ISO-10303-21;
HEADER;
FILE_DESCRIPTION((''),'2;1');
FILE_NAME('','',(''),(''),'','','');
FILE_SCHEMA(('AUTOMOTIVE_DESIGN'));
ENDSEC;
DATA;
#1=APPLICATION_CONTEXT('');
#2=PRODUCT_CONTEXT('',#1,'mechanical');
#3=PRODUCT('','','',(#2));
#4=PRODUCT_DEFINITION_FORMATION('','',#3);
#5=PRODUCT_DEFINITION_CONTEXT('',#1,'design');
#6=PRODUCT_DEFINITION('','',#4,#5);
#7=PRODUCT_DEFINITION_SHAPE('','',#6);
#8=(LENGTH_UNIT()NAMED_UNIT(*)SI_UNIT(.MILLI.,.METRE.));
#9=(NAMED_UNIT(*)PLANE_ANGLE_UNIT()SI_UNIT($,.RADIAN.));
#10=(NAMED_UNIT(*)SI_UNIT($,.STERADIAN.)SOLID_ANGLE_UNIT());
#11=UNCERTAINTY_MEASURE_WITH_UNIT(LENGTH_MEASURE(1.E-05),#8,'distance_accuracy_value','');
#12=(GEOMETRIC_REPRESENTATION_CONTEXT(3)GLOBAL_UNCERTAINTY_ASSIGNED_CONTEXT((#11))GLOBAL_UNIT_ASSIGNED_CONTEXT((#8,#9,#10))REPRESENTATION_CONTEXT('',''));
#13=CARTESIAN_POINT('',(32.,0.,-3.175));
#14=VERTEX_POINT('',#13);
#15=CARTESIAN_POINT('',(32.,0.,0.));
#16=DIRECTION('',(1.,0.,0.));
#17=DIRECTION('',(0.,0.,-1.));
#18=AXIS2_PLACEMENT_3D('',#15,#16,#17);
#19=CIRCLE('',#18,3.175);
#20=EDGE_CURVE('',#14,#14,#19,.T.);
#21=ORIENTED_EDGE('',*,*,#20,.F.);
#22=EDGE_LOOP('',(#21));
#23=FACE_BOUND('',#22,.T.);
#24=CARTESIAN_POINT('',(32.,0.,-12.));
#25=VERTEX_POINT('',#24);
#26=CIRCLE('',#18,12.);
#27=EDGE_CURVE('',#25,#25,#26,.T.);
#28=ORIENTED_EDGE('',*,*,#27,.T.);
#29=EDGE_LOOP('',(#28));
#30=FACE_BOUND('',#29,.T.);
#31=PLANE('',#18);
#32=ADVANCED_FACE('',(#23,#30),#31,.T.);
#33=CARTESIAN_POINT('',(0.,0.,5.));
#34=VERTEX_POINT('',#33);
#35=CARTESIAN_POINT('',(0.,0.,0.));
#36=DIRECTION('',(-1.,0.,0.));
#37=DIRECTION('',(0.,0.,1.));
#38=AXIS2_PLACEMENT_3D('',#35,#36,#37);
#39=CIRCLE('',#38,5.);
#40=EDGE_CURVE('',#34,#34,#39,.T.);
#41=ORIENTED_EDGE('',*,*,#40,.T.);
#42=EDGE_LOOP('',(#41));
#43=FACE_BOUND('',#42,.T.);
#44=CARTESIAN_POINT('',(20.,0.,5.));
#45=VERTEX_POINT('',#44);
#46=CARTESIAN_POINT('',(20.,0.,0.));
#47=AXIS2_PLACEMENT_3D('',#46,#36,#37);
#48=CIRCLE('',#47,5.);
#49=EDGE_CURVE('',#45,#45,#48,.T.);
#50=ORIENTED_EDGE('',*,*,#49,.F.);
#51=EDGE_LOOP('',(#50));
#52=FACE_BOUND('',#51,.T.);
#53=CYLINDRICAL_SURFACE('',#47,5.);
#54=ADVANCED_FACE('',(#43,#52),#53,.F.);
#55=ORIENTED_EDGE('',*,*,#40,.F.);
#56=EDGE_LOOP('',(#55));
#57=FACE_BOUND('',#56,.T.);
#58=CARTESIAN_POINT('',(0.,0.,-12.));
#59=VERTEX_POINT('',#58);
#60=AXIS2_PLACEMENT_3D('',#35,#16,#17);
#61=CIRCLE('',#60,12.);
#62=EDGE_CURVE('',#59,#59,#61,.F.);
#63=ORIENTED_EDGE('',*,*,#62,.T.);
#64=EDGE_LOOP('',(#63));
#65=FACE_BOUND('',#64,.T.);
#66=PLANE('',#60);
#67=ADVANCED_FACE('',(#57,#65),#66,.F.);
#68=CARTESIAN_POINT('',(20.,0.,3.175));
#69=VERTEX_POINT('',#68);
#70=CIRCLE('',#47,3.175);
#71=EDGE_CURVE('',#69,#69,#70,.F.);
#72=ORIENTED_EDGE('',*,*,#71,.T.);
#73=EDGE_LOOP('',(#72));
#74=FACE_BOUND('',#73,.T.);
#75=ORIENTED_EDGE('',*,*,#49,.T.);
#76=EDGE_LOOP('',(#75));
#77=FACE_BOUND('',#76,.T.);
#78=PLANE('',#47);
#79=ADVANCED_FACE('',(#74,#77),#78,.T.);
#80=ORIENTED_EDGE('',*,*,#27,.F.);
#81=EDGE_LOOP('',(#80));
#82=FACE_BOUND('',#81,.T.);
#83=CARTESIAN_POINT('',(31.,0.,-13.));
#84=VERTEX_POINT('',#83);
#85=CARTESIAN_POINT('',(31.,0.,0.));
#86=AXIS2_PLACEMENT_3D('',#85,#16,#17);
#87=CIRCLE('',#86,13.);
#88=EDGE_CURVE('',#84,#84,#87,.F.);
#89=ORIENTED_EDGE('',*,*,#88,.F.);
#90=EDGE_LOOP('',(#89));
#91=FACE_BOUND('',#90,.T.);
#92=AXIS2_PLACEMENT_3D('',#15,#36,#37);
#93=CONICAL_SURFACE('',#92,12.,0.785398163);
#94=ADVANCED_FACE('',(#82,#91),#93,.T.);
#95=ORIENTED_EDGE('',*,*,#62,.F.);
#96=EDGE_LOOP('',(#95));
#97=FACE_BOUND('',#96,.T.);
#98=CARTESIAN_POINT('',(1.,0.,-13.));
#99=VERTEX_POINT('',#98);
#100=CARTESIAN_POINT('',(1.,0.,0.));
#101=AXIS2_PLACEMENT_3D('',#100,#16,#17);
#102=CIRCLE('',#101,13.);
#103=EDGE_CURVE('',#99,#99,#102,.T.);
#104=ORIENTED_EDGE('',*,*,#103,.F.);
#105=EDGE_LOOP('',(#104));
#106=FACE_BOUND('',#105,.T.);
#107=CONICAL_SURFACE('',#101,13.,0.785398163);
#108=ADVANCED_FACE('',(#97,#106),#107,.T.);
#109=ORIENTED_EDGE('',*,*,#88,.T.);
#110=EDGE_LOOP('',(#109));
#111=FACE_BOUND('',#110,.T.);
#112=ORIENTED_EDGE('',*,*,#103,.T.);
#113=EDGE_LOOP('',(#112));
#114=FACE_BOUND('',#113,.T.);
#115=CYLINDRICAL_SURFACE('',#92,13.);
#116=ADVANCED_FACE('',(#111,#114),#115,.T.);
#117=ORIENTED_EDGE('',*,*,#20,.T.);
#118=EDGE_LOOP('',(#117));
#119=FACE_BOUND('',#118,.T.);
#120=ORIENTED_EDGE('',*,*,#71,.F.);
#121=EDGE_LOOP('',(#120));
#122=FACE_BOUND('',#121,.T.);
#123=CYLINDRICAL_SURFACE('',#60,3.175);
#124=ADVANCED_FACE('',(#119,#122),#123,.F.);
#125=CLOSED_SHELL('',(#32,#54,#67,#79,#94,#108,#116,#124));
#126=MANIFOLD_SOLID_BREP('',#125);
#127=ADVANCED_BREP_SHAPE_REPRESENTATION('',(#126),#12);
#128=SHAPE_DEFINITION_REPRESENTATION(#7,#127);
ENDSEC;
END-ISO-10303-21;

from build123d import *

# Parameters (mm, degrees)
SKETCH1_R           = 13
BOSS_EXTRUDE1_DEPTH = 32
SKETCH2_R           = 3.175
CUT_EXTRUDE1_DEPTH  = 37.905284174
SKETCH3_R           = 5
CUT_EXTRUDE2_DEPTH  = 20
CHAMFER1_SIZE       = 1


with BuildPart() as part:
    # Sketch1 → Boss-Extrude1 (new body)
    with BuildSketch(Plane(origin=(0, 0, 0), x_dir=(0, 0, -1), z_dir=(1, 0, 0))):
        Circle(SKETCH1_R)
    extrude(amount=BOSS_EXTRUDE1_DEPTH)

    # Sketch2 → Cut-Extrude1 (cut, through all)
    with BuildSketch(Plane(origin=(32, 0, 0), x_dir=(0, 0, -1), z_dir=(1, 0, 0))):
        Circle(SKETCH2_R)
    extrude(amount=-CUT_EXTRUDE1_DEPTH, mode=Mode.SUBTRACT)

    # Sketch3 → Cut-Extrude2 (cut)
    with BuildSketch(Plane.ZY):
        Circle(SKETCH3_R)
    extrude(amount=-CUT_EXTRUDE2_DEPTH, mode=Mode.SUBTRACT)

    # Chamfer1
    chamfer1_edges = [part.edges().sort_by_distance(p)[0] for p in [
        (0, 0, 13),
        (32, 0, 13),
    ]]
    chamfer(chamfer1_edges, length=CHAMFER1_SIZE)


solid = part.part
